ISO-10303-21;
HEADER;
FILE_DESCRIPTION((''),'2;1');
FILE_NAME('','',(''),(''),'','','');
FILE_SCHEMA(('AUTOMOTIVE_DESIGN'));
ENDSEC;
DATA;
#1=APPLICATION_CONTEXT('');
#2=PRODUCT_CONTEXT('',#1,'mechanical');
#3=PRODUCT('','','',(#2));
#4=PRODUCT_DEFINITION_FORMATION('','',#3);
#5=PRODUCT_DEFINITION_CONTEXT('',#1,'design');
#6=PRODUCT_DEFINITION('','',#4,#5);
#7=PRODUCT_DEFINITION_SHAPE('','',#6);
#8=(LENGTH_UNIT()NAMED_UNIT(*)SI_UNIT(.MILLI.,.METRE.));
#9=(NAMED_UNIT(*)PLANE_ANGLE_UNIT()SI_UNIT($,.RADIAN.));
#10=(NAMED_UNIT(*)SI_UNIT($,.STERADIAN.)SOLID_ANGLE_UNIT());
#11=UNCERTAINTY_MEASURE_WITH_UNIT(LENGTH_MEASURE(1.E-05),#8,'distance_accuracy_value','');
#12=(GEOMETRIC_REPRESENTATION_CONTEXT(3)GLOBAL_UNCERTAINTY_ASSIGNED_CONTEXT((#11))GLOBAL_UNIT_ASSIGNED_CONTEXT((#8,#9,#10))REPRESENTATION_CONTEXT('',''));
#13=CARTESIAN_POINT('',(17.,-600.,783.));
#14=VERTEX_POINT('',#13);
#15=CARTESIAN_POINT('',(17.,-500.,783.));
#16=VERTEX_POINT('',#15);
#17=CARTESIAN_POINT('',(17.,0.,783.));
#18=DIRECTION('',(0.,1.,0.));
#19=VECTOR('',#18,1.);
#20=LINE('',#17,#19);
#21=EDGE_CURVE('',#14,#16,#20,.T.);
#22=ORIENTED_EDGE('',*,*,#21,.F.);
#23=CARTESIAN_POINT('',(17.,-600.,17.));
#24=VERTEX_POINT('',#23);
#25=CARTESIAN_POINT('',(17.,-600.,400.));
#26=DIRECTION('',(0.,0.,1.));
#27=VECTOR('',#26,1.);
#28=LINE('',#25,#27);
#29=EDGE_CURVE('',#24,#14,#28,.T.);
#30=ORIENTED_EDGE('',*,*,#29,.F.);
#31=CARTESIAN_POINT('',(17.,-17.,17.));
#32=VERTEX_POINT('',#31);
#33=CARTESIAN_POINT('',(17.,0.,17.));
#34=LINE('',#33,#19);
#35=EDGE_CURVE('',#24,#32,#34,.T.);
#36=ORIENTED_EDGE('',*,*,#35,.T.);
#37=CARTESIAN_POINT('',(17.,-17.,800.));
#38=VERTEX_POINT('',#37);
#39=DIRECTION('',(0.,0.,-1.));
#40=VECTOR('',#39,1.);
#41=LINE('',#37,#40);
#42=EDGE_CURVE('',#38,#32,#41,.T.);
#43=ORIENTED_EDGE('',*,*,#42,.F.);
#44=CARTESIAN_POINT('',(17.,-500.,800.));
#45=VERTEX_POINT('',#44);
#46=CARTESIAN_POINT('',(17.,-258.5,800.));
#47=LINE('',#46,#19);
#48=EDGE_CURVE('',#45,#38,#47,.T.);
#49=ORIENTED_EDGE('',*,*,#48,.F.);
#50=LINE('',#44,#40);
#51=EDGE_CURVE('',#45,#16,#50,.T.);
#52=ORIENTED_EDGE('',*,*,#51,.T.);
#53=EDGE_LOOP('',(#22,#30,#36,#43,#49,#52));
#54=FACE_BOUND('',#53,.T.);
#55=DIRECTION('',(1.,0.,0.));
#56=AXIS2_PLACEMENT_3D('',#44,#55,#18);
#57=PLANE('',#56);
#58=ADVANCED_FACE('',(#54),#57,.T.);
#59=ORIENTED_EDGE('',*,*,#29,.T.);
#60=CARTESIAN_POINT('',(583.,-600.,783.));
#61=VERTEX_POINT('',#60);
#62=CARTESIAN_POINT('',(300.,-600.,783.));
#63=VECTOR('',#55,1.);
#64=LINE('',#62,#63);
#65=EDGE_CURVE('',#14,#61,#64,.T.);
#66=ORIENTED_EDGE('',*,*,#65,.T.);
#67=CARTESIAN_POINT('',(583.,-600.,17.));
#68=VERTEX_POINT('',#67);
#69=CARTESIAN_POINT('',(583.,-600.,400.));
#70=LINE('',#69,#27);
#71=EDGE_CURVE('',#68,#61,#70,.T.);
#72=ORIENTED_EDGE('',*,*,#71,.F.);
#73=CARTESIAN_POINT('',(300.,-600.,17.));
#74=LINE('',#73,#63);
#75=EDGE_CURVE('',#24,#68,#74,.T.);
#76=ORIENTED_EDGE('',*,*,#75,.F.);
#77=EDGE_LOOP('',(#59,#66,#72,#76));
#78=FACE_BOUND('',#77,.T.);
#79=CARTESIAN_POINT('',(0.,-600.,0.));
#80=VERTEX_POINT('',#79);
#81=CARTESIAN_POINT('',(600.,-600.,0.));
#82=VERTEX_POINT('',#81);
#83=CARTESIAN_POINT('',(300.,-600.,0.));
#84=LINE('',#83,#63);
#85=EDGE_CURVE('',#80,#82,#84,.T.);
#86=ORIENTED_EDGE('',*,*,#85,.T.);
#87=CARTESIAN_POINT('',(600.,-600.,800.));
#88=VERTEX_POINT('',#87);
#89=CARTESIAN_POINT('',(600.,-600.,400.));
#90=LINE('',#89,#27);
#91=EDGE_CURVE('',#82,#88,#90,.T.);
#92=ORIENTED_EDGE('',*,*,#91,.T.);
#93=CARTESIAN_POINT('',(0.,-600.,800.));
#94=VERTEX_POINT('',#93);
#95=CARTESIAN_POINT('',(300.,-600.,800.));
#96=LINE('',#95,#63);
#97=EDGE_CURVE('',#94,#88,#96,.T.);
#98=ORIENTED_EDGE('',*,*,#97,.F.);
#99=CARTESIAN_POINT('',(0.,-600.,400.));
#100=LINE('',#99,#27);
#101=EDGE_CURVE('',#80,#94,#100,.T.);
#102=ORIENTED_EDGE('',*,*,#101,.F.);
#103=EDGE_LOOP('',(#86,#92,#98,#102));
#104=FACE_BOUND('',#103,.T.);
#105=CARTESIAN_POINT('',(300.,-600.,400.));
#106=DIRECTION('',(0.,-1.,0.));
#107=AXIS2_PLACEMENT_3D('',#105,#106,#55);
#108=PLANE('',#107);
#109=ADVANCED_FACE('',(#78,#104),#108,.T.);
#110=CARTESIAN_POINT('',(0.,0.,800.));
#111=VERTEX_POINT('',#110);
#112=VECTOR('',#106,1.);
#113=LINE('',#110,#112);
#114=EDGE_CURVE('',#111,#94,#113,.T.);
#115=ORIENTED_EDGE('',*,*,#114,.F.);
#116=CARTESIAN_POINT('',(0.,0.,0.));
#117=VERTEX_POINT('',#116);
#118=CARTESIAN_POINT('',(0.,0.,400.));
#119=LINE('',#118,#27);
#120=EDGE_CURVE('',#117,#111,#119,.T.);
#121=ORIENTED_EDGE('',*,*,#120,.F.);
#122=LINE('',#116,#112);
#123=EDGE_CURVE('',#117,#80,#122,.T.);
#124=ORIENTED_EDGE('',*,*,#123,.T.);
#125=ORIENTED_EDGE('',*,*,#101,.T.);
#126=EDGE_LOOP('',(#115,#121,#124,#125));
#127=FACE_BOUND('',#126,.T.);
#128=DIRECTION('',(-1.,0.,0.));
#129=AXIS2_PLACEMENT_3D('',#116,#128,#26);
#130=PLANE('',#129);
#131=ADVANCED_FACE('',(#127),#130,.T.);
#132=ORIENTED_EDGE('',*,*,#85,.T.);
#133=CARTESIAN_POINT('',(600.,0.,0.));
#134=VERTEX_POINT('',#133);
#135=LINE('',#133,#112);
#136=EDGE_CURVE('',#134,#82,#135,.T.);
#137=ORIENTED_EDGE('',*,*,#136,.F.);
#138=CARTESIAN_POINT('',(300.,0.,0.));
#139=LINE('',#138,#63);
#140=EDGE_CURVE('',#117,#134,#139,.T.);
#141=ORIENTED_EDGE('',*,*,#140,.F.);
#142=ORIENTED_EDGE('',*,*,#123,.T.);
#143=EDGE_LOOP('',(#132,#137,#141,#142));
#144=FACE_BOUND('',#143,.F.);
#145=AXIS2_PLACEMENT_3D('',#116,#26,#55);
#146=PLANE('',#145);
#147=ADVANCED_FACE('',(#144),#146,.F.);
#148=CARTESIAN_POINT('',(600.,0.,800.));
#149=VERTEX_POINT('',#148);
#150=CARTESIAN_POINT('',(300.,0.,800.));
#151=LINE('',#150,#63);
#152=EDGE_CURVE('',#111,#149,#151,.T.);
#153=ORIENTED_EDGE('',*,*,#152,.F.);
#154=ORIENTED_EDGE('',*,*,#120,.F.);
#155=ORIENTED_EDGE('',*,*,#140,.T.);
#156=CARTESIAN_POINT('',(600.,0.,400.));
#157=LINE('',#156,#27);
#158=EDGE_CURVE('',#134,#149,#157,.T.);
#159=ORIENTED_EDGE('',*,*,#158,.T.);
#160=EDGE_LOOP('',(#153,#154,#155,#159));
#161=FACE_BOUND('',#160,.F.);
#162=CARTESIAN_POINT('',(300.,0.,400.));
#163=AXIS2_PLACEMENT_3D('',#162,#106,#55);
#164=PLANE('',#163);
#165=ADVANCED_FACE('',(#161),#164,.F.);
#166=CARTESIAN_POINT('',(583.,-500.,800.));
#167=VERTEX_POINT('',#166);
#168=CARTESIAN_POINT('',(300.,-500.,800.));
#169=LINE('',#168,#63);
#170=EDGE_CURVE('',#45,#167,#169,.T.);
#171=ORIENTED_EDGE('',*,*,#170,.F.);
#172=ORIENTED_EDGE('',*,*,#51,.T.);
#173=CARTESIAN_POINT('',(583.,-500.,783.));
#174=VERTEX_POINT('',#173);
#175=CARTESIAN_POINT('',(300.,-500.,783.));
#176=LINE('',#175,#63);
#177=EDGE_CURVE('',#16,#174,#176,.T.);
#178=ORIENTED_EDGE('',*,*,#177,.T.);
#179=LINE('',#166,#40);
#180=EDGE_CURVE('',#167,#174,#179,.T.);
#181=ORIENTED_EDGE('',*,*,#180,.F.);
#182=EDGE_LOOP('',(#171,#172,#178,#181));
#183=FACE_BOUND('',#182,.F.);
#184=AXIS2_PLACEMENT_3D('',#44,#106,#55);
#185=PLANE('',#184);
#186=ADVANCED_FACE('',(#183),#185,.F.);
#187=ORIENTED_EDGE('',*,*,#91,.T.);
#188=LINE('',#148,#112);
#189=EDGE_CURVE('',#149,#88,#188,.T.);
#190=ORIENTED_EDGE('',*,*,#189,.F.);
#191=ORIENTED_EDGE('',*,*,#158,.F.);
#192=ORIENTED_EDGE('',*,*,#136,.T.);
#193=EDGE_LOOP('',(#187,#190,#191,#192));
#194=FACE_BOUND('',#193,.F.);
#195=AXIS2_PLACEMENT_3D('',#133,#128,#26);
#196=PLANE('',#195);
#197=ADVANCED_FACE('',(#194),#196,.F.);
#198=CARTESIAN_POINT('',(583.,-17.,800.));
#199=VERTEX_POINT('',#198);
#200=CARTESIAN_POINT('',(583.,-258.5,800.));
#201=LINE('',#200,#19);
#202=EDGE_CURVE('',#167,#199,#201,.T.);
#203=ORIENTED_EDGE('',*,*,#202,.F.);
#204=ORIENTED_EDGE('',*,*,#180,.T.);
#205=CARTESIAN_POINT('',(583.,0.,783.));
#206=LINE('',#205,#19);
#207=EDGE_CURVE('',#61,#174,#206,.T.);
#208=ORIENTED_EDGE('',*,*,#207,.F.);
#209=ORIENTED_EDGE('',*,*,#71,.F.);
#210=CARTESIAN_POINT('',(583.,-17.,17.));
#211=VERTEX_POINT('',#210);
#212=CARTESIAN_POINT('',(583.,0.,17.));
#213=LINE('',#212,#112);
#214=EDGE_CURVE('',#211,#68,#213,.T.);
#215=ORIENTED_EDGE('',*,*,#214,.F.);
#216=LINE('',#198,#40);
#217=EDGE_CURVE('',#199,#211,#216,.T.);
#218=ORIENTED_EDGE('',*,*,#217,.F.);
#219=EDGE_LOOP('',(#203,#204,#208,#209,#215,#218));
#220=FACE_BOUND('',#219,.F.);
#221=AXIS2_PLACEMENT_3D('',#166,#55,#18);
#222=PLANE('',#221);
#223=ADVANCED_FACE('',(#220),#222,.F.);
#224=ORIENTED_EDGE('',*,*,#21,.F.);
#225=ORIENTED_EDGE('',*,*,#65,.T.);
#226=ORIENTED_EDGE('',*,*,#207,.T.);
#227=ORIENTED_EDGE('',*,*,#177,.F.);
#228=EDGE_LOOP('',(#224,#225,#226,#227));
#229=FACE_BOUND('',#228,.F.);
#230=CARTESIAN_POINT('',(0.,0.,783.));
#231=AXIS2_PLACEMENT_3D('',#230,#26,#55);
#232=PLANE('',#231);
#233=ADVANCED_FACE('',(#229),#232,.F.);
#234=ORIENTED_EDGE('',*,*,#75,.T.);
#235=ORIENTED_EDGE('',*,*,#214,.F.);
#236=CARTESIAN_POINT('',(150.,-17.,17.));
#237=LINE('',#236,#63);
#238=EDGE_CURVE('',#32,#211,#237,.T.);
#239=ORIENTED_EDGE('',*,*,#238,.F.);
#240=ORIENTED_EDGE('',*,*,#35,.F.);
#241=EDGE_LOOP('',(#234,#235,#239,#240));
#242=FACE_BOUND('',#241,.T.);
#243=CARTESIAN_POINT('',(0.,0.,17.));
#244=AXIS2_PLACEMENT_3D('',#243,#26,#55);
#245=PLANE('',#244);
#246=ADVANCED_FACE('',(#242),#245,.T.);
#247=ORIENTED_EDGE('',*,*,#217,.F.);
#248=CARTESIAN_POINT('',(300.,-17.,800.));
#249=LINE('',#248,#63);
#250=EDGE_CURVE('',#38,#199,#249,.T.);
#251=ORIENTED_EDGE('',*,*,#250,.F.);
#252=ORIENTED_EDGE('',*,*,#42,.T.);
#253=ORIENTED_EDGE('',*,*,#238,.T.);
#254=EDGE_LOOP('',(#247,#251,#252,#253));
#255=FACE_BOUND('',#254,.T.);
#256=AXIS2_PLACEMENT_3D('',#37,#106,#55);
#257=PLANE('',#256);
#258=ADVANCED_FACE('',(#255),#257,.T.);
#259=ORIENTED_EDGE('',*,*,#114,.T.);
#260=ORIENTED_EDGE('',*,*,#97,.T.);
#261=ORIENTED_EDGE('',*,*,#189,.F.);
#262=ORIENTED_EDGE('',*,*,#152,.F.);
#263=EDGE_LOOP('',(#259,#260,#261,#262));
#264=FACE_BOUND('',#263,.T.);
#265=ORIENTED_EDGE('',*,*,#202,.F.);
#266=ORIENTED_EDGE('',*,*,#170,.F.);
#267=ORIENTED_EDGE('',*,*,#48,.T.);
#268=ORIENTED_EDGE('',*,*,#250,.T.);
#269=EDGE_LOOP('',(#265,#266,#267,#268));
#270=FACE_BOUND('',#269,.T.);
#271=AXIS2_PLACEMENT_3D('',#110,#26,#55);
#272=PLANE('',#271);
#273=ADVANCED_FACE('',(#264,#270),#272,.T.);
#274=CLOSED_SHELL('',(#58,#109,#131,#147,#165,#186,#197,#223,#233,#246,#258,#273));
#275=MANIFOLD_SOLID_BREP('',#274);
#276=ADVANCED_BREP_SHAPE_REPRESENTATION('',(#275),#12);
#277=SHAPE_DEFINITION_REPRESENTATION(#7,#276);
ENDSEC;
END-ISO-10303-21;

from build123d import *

# Parameters (mm, degrees)
F0_W     = 600
F0_H     = 800
F1_DEPTH = 600
F2_T     = -17
F4_W     = 566
F4_H     = 483
F5_DEPTH = 17


with BuildPart() as f1:
    # F0 (on Front) → F1 (new body)
    with BuildSketch(Plane.XZ):
        with Locations((300, 400)):
            Rectangle(F0_W, F0_H)
    extrude(amount=F1_DEPTH)

    # F2
    f2_openings = [f1.faces().sort_by_distance(p)[0] for p in [
        (300, -600, 400),
    ]]
    offset(amount=F2_T, openings=f2_openings)

    # F4 (on face) → F5 (cut, through all)
    with BuildSketch(Plane.XY.offset(800)):
        with Locations((300, -258.5)):
            Rectangle(F4_W, F4_H)
    extrude(amount=-F5_DEPTH, mode=Mode.SUBTRACT)


solid = f1.part
